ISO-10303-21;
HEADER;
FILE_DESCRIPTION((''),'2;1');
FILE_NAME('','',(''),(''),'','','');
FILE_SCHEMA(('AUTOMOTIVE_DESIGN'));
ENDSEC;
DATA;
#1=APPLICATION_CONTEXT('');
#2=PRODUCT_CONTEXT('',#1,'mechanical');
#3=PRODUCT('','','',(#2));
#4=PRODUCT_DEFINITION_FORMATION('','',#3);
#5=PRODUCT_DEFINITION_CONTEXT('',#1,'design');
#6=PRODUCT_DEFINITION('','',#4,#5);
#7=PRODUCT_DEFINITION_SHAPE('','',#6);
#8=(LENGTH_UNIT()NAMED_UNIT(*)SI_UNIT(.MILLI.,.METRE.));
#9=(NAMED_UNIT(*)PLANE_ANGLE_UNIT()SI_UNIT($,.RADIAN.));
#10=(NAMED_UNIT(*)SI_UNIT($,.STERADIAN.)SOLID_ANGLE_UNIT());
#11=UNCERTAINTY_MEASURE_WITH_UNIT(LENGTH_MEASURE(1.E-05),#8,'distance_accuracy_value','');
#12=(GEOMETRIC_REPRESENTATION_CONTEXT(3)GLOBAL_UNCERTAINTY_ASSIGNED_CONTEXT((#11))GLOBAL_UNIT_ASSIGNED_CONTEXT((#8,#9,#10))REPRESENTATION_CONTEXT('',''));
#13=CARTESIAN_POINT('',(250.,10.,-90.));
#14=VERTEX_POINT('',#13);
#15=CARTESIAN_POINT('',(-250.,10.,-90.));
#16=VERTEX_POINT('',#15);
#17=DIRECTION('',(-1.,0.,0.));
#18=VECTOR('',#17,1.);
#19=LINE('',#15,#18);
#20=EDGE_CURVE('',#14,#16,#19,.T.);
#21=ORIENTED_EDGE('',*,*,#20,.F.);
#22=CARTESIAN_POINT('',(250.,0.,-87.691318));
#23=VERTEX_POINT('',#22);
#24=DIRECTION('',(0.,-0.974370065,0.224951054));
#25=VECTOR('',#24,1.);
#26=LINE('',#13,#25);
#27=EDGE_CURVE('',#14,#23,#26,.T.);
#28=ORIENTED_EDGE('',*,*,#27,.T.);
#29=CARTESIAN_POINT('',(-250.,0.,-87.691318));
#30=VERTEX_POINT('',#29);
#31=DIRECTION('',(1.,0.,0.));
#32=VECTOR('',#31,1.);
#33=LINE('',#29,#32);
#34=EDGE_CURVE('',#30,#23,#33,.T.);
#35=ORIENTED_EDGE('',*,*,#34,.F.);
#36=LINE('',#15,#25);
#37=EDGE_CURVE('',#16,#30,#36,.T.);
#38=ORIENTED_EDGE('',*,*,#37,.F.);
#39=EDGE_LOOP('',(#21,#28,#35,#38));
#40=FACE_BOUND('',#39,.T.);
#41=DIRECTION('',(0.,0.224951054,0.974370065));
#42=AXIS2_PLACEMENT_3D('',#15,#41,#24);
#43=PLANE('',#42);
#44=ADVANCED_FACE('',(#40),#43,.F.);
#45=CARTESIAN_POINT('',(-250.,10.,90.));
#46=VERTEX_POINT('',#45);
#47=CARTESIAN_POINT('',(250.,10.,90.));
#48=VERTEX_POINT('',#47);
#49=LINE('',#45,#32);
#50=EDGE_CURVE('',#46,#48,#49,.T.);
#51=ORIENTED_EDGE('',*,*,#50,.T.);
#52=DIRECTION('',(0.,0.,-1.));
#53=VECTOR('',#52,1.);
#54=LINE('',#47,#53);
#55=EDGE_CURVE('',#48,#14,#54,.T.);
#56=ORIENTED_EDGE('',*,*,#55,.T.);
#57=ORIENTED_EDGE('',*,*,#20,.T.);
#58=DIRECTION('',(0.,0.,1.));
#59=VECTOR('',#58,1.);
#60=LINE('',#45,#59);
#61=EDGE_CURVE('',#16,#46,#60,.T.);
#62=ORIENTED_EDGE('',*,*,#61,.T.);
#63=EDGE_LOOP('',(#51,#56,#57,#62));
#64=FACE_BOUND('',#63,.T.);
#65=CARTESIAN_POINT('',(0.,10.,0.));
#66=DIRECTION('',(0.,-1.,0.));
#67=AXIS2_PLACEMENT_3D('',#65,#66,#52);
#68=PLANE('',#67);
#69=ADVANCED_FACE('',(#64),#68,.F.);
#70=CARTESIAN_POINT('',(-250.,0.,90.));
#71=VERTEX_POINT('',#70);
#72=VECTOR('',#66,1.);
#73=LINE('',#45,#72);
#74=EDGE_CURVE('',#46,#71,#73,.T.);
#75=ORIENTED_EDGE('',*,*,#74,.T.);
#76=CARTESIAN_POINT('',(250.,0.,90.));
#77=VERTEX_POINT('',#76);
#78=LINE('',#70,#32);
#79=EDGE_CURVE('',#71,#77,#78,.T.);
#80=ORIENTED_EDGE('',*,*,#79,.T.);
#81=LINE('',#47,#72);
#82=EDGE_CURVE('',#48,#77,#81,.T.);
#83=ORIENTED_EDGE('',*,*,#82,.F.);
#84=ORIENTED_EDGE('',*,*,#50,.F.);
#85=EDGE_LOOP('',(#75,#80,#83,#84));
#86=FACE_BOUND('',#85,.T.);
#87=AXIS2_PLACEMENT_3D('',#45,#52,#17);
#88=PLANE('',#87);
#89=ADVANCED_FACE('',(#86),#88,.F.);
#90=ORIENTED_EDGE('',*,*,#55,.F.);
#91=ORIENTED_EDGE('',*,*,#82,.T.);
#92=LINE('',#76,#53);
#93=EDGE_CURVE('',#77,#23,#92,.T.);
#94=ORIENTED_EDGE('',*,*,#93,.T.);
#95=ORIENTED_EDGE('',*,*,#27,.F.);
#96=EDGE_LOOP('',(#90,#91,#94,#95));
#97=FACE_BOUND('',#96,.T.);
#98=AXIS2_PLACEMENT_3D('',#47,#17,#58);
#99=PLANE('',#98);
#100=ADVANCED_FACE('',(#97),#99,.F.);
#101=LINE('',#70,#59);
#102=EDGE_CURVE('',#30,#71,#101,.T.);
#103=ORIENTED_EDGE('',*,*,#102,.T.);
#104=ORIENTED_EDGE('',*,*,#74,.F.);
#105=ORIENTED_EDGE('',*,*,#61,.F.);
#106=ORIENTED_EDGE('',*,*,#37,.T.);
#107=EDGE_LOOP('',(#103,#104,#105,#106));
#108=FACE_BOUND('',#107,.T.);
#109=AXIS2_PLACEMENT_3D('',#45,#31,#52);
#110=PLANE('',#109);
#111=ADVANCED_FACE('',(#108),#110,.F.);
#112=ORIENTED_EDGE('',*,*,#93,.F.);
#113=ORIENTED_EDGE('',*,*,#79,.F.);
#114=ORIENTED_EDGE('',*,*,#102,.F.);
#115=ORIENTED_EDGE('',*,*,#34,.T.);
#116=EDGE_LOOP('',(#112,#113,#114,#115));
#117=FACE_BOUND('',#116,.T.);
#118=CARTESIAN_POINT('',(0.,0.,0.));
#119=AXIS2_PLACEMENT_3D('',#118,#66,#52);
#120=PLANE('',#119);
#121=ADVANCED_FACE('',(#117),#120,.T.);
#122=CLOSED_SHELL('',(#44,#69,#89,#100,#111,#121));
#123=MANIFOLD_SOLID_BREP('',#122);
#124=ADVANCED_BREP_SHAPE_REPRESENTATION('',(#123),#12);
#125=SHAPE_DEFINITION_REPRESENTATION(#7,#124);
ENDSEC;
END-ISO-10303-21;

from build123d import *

# Parameters (mm, degrees)
SKETCH2_W           = 500
SKETCH2_H           = 180
BOSS_EXTRUDE1_DEPTH = 10
CUT_EXTRUDE4_DEPTH  = 501


with BuildPart() as part:
    # Sketch2 → Boss-Extrude1 (new body)
    with BuildSketch(Plane(origin=(0, 0, 0), x_dir=(1, 0, 0), z_dir=(0, 1, 0))):
        Rectangle(SKETCH2_W, SKETCH2_H)
    extrude(amount=BOSS_EXTRUDE1_DEPTH)

    # Sketch4 → Cut-Extrude4 (cut, through all)
    with BuildSketch(Plane(origin=(250, 0, 0), x_dir=(0, 0, -1), z_dir=(1, 0, 0))):
        Polygon((90, 10), (87.691318089, 0), (90, 0), align=None)
    extrude(amount=-CUT_EXTRUDE4_DEPTH, mode=Mode.SUBTRACT)


solid = part.part
